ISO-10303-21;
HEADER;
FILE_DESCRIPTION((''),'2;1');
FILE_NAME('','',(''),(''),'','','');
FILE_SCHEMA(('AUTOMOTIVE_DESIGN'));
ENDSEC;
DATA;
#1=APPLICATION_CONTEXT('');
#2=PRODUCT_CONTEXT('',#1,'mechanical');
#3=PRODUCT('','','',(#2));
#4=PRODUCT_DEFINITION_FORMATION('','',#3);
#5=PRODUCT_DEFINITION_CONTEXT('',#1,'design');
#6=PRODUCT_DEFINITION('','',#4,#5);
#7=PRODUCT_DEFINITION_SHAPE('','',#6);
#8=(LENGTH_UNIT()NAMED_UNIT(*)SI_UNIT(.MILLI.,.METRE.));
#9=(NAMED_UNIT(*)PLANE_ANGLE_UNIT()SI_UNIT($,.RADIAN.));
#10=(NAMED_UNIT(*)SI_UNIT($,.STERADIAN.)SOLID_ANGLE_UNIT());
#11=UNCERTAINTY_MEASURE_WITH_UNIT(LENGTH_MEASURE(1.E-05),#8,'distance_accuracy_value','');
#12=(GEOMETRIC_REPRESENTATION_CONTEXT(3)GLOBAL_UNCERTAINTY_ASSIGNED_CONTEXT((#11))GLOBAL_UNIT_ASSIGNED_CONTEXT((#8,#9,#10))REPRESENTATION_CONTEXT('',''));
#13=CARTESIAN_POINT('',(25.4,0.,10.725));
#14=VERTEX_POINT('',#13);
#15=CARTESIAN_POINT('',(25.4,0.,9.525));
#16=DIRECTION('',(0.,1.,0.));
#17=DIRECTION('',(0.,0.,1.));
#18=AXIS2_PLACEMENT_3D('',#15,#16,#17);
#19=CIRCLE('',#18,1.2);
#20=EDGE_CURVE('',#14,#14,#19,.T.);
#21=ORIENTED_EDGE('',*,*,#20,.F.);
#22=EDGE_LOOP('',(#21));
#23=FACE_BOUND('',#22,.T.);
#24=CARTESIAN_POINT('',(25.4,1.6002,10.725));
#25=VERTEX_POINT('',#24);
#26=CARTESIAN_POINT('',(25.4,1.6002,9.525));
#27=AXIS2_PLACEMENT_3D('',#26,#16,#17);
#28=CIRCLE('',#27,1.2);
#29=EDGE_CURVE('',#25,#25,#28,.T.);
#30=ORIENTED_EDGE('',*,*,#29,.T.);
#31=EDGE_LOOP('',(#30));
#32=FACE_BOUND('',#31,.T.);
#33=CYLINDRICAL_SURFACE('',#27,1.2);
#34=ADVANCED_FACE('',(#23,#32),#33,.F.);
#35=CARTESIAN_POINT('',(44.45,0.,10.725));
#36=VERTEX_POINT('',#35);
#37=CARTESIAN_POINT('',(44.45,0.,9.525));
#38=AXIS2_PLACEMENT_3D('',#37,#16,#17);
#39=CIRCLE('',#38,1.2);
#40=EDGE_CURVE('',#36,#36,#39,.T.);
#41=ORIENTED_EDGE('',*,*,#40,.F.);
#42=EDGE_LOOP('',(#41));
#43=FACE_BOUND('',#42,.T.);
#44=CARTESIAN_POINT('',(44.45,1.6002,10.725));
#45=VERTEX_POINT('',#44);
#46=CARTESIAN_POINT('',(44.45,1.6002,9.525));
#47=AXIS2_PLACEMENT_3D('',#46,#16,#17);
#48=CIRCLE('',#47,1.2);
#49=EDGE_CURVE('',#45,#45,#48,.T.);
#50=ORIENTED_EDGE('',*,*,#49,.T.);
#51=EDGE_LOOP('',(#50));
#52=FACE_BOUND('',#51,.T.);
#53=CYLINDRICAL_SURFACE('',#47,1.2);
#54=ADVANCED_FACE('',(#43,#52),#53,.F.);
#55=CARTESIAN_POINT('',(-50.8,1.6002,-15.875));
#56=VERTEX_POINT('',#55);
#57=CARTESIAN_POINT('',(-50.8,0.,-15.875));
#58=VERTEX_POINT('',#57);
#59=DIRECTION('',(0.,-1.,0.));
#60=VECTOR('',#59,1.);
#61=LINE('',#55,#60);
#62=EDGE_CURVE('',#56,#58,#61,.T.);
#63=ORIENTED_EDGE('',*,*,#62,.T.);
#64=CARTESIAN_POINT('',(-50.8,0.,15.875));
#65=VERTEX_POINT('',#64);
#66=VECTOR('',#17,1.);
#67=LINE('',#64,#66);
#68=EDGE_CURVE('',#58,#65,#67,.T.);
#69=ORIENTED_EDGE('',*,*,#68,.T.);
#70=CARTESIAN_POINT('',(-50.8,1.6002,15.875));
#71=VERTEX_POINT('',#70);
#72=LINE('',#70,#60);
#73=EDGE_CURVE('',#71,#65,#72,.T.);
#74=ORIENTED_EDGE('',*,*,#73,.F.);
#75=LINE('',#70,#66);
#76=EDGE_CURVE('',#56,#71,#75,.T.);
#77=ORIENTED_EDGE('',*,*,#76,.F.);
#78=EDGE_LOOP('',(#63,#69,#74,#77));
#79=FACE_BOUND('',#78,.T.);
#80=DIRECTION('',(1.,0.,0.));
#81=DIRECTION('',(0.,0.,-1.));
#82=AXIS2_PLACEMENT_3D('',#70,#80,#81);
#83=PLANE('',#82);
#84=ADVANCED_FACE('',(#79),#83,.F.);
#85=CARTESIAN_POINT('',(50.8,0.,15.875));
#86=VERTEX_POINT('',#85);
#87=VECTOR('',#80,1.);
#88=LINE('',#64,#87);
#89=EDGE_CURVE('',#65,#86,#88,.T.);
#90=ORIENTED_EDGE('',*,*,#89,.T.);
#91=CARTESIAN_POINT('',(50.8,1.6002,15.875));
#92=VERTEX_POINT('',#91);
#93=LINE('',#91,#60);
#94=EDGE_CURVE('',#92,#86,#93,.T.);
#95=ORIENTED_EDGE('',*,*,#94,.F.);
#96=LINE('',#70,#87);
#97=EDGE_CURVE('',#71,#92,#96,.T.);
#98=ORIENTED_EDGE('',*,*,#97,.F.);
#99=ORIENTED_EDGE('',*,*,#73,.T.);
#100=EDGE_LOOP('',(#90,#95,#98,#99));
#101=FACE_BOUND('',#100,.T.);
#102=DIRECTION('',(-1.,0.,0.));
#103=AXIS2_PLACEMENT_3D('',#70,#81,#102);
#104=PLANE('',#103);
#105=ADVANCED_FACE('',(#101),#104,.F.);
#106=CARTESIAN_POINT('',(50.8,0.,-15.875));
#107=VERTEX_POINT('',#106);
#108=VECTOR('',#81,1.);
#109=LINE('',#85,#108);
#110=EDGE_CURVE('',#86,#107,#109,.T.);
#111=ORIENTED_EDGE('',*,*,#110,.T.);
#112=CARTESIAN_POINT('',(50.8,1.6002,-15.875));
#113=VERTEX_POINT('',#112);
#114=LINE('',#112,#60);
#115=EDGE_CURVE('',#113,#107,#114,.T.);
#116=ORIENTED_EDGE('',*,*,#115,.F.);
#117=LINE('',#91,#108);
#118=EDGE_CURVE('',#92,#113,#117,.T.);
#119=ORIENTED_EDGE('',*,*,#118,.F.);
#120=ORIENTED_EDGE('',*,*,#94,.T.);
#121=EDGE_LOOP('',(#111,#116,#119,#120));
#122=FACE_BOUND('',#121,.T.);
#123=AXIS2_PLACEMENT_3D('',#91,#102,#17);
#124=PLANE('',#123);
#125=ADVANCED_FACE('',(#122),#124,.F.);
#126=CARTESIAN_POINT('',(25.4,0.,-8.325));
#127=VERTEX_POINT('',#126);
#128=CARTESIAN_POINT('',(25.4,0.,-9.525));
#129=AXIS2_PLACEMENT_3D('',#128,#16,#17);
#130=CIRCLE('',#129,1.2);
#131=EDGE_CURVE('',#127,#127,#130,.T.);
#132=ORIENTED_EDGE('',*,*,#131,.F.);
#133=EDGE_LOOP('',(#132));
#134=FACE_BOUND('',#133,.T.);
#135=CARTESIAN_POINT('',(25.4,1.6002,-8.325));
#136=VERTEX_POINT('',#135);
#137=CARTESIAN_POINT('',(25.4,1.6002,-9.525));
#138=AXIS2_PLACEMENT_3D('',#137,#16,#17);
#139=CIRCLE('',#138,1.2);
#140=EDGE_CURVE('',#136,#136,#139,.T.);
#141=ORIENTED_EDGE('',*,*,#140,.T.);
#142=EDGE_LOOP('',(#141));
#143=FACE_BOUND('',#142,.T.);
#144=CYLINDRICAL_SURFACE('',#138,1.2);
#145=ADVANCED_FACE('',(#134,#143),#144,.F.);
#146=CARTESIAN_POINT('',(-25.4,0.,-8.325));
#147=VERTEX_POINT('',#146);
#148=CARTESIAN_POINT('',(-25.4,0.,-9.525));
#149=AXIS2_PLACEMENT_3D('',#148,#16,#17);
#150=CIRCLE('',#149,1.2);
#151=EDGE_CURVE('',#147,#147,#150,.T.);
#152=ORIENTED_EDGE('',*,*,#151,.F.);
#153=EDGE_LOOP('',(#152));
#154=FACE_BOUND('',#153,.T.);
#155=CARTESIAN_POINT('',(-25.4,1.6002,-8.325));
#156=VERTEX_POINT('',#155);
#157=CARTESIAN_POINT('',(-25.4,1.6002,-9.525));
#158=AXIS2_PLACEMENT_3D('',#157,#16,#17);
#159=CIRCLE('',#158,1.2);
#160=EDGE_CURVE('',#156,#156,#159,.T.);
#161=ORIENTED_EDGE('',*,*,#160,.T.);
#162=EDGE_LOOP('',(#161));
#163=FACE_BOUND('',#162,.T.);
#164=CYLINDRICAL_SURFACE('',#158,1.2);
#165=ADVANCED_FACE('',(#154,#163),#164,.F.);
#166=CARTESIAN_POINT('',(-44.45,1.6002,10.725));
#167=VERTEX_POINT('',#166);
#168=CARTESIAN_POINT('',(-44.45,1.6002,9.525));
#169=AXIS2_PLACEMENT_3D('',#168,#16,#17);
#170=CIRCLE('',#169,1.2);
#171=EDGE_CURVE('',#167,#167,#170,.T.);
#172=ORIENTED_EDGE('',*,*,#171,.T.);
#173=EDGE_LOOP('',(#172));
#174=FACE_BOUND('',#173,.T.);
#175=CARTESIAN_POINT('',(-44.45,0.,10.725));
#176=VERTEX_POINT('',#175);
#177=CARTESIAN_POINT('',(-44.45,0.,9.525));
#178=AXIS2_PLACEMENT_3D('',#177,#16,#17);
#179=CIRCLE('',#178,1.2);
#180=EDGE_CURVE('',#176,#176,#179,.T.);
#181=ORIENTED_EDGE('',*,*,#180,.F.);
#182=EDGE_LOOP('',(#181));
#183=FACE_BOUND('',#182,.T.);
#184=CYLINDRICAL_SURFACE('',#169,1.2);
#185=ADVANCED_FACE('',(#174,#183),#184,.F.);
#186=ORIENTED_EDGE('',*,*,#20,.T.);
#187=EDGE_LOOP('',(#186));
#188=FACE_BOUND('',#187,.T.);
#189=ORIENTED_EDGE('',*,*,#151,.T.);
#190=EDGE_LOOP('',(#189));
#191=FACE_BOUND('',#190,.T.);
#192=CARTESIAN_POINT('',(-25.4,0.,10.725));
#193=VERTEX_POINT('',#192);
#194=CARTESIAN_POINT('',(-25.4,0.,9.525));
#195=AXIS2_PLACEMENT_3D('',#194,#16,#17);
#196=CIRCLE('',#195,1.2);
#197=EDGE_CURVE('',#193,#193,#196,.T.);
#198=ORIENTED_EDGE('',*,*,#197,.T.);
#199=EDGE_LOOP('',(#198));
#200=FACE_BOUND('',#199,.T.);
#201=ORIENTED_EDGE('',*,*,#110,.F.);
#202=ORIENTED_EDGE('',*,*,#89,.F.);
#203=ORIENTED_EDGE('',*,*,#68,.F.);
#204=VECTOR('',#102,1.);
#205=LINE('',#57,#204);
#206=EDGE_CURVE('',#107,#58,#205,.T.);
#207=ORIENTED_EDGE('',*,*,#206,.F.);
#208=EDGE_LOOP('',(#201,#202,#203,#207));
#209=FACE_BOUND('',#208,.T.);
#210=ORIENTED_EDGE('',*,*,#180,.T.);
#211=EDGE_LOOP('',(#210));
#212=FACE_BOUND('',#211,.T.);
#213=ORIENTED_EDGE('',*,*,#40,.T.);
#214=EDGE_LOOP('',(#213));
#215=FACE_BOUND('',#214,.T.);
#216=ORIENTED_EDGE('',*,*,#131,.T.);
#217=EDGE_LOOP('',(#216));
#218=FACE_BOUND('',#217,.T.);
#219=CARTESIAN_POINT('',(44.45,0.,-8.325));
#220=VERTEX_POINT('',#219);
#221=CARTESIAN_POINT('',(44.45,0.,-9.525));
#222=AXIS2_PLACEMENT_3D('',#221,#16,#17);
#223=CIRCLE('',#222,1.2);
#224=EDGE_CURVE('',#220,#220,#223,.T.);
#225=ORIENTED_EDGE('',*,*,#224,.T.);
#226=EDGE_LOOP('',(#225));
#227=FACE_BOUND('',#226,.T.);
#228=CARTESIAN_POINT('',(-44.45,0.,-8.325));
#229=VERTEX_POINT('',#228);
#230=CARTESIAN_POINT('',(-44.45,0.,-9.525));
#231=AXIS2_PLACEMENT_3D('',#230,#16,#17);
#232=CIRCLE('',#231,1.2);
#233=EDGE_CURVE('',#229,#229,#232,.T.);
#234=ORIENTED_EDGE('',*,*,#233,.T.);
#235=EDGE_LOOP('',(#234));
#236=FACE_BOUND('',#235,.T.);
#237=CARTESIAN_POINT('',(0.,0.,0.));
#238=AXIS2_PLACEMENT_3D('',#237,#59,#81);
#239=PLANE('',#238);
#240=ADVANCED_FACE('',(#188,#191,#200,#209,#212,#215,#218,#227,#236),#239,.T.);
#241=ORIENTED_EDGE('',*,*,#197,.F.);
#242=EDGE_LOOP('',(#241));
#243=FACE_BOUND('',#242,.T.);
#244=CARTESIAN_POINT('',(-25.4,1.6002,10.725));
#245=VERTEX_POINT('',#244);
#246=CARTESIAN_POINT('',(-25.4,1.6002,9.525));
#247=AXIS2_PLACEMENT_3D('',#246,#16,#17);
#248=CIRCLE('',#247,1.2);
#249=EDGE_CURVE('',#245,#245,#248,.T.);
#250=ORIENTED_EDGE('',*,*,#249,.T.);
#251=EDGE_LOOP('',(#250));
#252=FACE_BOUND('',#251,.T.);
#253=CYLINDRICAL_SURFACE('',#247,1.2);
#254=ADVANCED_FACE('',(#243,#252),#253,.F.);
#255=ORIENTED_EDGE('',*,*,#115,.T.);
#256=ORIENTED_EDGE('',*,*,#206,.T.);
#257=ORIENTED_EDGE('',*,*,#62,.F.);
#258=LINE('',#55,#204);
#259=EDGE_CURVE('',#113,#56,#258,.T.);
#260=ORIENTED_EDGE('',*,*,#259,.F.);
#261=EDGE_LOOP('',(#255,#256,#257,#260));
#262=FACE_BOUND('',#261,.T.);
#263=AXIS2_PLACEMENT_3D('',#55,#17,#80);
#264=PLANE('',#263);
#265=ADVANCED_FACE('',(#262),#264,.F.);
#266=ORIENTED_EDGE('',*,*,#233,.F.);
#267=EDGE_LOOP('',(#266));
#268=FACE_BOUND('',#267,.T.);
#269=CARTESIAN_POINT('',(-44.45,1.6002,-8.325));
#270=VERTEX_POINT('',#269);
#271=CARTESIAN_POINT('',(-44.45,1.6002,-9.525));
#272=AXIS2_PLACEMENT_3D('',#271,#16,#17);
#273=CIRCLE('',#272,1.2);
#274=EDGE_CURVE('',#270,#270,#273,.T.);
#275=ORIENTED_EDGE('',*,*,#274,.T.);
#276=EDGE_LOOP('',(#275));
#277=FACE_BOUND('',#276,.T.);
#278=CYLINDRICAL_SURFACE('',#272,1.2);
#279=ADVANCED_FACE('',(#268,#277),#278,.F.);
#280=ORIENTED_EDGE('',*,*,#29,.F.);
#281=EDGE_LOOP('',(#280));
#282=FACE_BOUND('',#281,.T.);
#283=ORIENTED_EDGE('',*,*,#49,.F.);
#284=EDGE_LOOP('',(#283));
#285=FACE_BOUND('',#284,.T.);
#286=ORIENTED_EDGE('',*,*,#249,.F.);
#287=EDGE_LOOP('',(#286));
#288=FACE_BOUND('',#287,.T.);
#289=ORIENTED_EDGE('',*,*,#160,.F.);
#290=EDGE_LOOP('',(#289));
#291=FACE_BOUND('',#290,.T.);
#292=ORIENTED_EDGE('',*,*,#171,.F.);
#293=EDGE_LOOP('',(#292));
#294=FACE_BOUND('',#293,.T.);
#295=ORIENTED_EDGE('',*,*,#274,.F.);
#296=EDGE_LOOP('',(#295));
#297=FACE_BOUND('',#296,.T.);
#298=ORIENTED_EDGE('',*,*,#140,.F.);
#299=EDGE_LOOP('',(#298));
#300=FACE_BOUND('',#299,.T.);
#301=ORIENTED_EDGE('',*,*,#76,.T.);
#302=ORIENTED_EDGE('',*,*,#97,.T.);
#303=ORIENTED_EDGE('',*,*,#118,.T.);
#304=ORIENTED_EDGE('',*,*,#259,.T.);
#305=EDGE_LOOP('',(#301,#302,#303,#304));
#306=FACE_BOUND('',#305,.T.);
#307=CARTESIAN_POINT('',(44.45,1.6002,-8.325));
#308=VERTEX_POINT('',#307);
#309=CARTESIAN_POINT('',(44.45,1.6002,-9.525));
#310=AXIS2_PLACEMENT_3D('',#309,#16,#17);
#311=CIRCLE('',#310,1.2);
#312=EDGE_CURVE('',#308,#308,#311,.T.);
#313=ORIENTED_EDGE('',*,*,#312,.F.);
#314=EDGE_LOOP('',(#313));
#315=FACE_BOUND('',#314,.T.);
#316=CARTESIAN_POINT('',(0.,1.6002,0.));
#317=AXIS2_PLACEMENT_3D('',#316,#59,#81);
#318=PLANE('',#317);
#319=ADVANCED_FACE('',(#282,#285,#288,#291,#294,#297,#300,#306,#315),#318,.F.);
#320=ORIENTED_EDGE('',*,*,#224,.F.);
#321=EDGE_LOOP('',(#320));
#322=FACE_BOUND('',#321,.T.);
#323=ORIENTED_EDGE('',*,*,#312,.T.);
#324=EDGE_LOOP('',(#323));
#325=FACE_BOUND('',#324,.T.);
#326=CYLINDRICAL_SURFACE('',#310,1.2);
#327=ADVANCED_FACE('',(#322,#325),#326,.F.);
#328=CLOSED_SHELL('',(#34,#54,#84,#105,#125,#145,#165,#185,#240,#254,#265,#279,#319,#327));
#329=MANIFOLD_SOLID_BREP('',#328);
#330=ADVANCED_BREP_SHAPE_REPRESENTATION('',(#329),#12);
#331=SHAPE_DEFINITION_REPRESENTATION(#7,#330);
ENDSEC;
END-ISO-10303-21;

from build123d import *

# Parameters (mm, degrees)
SKETCH1_W            = 101.6
SKETCH1_H            = 31.75
BOSS_EXTRUDE1_DEPTH  = 1.6002
M2_CLEARANCE_HOLE1_D = 2.4


with BuildPart() as part:
    # Sketch1 → Boss-Extrude1 (new body)
    with BuildSketch(Plane(origin=(0, 0, 0), x_dir=(1, 0, 0), z_dir=(0, 1, 0))):
        Rectangle(SKETCH1_W, SKETCH1_H)
    extrude(amount=BOSS_EXTRUDE1_DEPTH)

    # M2 Clearance Hole1 (through all)
    with Locations(Plane(origin=(0, 1.6002, 0), x_dir=(1, 0, 0), z_dir=(0, 1, 0))):
        with Locations((-25.4, 9.525), (-44.45, 9.525), (-44.45, -9.525), (-25.4, -9.525)):
            m2_clearance_hole1 = Hole(M2_CLEARANCE_HOLE1_D / 2)

    # Mirror1: M2 Clearance Hole1 across plane
    add(m2_clearance_hole1.mirror(Plane(origin=(0, 0, 0), x_dir=(0, 0, 1), z_dir=(1, 0, 0))), mode=Mode.SUBTRACT)


solid = part.part
